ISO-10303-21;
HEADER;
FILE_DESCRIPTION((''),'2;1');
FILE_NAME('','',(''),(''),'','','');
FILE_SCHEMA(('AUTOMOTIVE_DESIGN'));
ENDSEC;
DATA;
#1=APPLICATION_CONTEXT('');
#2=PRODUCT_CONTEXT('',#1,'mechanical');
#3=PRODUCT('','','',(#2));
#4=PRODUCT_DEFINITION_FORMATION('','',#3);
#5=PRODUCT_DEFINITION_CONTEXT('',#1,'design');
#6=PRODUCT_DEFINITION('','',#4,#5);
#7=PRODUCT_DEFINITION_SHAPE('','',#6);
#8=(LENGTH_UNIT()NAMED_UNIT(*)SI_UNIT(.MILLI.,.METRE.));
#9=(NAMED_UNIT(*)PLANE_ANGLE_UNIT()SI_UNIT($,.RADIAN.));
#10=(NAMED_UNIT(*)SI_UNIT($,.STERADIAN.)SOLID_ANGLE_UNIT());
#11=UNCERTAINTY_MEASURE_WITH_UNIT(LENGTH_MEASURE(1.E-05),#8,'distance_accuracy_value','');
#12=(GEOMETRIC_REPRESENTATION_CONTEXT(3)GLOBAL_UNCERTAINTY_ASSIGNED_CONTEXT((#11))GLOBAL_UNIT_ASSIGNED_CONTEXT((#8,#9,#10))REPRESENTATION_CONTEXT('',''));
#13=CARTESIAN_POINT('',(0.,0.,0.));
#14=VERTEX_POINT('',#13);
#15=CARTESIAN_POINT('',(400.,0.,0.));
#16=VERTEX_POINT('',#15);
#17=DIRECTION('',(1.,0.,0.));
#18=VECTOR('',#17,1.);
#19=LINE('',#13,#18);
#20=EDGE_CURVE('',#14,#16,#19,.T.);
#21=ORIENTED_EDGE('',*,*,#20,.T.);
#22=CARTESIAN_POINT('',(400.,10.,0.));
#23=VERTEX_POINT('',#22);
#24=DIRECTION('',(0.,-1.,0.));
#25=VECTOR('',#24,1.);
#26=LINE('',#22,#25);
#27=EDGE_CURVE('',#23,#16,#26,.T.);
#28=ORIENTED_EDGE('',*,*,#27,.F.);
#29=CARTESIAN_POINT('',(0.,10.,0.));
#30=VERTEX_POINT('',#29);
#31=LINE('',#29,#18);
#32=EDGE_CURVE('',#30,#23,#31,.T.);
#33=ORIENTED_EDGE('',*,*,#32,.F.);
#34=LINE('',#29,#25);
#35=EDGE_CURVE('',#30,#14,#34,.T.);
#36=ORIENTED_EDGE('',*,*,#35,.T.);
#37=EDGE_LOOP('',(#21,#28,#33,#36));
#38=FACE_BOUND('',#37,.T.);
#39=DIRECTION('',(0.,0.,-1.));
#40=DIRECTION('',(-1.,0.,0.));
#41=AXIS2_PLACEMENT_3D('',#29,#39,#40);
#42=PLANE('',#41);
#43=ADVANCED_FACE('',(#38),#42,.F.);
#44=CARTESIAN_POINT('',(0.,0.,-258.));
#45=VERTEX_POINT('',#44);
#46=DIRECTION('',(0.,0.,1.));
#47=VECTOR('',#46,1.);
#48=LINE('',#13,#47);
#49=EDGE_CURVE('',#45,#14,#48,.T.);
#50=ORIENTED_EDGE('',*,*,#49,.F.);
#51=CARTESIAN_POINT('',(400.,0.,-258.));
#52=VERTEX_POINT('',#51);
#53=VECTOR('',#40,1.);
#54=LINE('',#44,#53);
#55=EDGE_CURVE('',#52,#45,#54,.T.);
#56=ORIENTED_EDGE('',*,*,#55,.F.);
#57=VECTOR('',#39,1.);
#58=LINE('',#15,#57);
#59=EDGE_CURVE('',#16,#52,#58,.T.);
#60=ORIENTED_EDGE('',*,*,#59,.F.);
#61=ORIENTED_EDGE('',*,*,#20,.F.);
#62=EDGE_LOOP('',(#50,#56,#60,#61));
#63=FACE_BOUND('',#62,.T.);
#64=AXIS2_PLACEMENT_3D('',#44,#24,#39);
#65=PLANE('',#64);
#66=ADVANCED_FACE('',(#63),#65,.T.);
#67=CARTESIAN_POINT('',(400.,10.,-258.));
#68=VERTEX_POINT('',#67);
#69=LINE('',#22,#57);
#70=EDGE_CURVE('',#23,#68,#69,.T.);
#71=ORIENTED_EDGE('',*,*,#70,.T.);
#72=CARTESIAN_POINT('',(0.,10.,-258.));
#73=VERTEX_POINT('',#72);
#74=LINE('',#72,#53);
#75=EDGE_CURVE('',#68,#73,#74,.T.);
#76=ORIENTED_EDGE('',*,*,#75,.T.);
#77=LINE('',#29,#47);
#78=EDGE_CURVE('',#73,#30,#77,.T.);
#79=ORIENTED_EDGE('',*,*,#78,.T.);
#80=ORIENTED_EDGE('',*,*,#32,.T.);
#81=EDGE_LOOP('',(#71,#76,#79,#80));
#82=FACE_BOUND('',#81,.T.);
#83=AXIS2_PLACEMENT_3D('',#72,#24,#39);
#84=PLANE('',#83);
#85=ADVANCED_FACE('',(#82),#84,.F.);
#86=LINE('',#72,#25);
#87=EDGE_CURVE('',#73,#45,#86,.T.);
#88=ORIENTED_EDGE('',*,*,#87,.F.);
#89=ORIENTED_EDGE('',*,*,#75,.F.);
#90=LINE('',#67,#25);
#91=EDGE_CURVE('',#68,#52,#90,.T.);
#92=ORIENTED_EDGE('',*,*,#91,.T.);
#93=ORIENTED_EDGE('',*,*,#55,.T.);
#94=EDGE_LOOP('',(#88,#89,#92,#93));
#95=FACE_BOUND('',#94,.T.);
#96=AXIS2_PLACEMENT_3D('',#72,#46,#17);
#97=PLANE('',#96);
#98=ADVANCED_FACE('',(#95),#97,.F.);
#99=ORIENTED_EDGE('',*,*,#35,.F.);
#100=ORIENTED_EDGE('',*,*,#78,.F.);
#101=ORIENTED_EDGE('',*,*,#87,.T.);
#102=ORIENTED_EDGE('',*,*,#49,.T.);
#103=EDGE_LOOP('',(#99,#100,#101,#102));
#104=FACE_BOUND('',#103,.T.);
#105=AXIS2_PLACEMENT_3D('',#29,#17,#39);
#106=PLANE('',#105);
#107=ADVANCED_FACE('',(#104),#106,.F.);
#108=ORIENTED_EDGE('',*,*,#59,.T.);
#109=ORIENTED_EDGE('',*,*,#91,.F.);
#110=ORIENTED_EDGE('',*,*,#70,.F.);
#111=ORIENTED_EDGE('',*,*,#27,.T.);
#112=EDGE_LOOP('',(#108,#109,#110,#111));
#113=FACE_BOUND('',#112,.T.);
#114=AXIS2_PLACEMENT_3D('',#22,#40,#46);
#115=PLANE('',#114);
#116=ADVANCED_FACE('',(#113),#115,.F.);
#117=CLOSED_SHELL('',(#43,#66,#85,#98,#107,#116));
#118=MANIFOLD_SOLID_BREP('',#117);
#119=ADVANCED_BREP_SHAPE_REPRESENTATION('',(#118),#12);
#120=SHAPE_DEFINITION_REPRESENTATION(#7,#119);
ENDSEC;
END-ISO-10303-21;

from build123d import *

# Parameters (mm, degrees)
ESQUISSE1_W      = 400
ESQUISSE1_H      = 258
EXTRUSION1_DEPTH = 10


with BuildPart() as part:
    # Esquisse1 → Extrusion1 (new body)
    with BuildSketch(Plane(origin=(0, 0, 0), x_dir=(1, 0, 0), z_dir=(0, 1, 0))):
        with Locations((200, 129)):
            Rectangle(ESQUISSE1_W, ESQUISSE1_H)
    extrude(amount=EXTRUSION1_DEPTH)


solid = part.part
